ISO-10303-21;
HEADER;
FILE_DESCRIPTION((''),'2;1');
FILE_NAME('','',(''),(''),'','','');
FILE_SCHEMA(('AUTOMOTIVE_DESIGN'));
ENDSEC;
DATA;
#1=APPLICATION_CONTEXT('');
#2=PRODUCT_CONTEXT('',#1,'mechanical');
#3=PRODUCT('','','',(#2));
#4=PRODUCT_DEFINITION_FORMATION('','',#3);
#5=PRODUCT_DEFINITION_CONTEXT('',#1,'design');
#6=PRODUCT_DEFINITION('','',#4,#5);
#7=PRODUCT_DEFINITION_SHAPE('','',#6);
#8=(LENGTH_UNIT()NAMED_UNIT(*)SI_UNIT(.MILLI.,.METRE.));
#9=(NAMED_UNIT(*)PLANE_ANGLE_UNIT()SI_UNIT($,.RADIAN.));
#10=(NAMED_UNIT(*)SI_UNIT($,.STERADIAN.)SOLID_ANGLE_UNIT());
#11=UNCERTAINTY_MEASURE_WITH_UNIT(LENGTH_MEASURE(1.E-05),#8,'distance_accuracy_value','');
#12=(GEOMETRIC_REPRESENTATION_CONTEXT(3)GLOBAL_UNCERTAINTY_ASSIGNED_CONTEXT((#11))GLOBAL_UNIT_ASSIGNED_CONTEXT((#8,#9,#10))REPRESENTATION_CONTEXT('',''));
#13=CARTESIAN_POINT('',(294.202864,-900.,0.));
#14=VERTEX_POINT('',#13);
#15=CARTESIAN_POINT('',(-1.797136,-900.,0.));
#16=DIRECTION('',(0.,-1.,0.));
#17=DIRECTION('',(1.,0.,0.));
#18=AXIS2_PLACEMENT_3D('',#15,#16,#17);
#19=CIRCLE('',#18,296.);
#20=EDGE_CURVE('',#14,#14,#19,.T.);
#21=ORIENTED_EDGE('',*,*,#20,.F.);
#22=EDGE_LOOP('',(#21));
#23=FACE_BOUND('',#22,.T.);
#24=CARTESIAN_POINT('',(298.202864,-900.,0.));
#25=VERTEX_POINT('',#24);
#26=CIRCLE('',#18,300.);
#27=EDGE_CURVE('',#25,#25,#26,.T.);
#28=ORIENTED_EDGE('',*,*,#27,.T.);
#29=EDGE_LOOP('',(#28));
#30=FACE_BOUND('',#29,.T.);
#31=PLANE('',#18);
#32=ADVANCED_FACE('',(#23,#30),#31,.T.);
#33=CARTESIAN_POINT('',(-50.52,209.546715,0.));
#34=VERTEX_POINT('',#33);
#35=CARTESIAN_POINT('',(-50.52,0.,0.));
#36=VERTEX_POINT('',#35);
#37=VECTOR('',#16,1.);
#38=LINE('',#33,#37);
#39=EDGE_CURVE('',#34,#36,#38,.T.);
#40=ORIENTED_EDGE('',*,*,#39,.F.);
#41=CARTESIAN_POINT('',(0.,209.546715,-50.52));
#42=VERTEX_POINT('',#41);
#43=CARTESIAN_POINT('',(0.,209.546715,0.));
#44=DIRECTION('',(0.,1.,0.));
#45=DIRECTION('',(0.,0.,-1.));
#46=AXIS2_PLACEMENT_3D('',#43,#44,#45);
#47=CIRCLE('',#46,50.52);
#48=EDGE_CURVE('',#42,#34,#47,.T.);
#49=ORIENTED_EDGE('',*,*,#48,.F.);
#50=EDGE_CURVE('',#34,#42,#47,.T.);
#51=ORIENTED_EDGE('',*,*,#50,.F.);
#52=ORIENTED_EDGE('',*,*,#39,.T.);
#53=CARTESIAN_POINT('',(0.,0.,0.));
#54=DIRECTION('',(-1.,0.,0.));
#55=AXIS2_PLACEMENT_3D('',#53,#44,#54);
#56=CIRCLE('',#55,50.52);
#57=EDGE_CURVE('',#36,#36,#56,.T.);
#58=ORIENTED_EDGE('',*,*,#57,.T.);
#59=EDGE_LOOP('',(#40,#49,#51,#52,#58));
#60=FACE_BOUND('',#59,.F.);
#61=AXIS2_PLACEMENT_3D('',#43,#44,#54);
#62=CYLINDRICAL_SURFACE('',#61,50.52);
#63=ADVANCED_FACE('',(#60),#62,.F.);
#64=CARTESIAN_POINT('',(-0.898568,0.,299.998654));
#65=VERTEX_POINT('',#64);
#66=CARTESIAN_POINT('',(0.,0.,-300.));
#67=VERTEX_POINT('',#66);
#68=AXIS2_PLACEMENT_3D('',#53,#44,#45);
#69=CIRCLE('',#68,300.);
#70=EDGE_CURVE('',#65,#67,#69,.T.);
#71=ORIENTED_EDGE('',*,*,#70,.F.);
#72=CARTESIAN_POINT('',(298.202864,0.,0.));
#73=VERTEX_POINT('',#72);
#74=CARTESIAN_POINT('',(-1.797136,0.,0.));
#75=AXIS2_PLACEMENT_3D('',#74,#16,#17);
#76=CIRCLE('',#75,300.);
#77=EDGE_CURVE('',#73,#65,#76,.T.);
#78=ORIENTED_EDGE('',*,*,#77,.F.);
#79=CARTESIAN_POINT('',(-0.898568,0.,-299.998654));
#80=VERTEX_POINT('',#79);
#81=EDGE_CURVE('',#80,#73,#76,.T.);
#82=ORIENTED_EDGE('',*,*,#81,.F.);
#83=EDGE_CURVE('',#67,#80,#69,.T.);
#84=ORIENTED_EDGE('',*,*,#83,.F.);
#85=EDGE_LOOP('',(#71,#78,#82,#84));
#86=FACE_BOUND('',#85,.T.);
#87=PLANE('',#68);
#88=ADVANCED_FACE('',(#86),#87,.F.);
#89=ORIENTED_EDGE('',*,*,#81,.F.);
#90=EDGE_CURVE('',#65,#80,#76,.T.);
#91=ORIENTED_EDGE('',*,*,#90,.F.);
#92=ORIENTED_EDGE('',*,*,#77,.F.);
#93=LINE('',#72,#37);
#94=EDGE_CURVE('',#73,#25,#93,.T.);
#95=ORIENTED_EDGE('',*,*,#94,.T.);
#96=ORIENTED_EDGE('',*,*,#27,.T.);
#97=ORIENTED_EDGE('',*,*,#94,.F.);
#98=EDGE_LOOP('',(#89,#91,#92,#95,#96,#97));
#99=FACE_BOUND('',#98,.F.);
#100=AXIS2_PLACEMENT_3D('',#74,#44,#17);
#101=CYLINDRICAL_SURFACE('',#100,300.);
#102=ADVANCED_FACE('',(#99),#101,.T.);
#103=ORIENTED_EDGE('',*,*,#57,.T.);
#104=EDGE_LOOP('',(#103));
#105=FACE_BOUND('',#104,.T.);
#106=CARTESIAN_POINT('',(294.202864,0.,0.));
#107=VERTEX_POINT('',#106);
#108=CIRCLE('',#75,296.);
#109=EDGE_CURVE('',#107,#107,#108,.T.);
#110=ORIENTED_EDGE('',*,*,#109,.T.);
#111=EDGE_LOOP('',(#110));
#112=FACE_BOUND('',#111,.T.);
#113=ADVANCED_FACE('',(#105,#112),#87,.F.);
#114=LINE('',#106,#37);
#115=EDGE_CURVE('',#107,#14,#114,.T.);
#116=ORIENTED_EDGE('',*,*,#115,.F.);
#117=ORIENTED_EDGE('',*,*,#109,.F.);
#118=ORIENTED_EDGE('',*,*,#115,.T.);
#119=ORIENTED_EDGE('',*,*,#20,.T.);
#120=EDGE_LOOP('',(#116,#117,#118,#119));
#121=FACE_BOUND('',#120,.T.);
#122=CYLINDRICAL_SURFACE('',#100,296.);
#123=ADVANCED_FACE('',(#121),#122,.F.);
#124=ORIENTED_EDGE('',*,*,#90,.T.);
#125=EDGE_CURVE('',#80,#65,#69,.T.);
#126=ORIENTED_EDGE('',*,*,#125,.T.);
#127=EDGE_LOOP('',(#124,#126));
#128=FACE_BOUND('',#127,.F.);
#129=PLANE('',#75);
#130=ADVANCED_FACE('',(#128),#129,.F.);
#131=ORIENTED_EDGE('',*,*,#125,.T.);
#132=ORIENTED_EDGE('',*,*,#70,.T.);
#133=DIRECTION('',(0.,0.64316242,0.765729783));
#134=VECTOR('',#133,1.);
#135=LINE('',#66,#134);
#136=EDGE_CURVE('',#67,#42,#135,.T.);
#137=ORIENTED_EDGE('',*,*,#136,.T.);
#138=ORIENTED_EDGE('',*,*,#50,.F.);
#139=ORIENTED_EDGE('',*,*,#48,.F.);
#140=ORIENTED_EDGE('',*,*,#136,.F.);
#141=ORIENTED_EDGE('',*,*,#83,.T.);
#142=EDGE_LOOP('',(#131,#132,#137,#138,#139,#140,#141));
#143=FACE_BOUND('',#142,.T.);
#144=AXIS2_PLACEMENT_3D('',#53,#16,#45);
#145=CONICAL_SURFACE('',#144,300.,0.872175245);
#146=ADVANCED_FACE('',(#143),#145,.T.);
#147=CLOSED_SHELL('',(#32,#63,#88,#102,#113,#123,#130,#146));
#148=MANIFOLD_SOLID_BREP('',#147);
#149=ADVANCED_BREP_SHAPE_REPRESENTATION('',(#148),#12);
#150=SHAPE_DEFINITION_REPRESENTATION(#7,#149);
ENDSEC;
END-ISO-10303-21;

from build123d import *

# Parameters (mm, degrees)
F0_R     = 300
F0_R_2   = 296
F1_DEPTH = 900
F4_R     = 50.52
F5_DEPTH = 250


with BuildPart() as f1:
    # F0 (on Front) → F1 (new body)
    with BuildSketch(Plane.XZ):
        with Locations((-1.797136, 0)):
            Circle(F0_R)
        with Locations((-1.797136, 0)):
            Circle(F0_R_2, mode=Mode.SUBTRACT)
    extrude(amount=F1_DEPTH)

    # F2 (on Right) → F3 (revolve)
    with BuildSketch(Plane.YZ):
        Polygon((209.546715, 0), (0, 0), (0, -300), (209.546715, -50.52), align=None)
    revolve(axis=Axis((0, 104.773358, 0), (0, 1, 0)))

    # F4 (on face) → F5 (cut)
    with BuildSketch(Plane(origin=(0, 209.546715, 0), x_dir=(-1, 0, 0), z_dir=(0, 1, 0))):
        Circle(F4_R)
    extrude(amount=-F5_DEPTH, mode=Mode.SUBTRACT)


solid = f1.part
